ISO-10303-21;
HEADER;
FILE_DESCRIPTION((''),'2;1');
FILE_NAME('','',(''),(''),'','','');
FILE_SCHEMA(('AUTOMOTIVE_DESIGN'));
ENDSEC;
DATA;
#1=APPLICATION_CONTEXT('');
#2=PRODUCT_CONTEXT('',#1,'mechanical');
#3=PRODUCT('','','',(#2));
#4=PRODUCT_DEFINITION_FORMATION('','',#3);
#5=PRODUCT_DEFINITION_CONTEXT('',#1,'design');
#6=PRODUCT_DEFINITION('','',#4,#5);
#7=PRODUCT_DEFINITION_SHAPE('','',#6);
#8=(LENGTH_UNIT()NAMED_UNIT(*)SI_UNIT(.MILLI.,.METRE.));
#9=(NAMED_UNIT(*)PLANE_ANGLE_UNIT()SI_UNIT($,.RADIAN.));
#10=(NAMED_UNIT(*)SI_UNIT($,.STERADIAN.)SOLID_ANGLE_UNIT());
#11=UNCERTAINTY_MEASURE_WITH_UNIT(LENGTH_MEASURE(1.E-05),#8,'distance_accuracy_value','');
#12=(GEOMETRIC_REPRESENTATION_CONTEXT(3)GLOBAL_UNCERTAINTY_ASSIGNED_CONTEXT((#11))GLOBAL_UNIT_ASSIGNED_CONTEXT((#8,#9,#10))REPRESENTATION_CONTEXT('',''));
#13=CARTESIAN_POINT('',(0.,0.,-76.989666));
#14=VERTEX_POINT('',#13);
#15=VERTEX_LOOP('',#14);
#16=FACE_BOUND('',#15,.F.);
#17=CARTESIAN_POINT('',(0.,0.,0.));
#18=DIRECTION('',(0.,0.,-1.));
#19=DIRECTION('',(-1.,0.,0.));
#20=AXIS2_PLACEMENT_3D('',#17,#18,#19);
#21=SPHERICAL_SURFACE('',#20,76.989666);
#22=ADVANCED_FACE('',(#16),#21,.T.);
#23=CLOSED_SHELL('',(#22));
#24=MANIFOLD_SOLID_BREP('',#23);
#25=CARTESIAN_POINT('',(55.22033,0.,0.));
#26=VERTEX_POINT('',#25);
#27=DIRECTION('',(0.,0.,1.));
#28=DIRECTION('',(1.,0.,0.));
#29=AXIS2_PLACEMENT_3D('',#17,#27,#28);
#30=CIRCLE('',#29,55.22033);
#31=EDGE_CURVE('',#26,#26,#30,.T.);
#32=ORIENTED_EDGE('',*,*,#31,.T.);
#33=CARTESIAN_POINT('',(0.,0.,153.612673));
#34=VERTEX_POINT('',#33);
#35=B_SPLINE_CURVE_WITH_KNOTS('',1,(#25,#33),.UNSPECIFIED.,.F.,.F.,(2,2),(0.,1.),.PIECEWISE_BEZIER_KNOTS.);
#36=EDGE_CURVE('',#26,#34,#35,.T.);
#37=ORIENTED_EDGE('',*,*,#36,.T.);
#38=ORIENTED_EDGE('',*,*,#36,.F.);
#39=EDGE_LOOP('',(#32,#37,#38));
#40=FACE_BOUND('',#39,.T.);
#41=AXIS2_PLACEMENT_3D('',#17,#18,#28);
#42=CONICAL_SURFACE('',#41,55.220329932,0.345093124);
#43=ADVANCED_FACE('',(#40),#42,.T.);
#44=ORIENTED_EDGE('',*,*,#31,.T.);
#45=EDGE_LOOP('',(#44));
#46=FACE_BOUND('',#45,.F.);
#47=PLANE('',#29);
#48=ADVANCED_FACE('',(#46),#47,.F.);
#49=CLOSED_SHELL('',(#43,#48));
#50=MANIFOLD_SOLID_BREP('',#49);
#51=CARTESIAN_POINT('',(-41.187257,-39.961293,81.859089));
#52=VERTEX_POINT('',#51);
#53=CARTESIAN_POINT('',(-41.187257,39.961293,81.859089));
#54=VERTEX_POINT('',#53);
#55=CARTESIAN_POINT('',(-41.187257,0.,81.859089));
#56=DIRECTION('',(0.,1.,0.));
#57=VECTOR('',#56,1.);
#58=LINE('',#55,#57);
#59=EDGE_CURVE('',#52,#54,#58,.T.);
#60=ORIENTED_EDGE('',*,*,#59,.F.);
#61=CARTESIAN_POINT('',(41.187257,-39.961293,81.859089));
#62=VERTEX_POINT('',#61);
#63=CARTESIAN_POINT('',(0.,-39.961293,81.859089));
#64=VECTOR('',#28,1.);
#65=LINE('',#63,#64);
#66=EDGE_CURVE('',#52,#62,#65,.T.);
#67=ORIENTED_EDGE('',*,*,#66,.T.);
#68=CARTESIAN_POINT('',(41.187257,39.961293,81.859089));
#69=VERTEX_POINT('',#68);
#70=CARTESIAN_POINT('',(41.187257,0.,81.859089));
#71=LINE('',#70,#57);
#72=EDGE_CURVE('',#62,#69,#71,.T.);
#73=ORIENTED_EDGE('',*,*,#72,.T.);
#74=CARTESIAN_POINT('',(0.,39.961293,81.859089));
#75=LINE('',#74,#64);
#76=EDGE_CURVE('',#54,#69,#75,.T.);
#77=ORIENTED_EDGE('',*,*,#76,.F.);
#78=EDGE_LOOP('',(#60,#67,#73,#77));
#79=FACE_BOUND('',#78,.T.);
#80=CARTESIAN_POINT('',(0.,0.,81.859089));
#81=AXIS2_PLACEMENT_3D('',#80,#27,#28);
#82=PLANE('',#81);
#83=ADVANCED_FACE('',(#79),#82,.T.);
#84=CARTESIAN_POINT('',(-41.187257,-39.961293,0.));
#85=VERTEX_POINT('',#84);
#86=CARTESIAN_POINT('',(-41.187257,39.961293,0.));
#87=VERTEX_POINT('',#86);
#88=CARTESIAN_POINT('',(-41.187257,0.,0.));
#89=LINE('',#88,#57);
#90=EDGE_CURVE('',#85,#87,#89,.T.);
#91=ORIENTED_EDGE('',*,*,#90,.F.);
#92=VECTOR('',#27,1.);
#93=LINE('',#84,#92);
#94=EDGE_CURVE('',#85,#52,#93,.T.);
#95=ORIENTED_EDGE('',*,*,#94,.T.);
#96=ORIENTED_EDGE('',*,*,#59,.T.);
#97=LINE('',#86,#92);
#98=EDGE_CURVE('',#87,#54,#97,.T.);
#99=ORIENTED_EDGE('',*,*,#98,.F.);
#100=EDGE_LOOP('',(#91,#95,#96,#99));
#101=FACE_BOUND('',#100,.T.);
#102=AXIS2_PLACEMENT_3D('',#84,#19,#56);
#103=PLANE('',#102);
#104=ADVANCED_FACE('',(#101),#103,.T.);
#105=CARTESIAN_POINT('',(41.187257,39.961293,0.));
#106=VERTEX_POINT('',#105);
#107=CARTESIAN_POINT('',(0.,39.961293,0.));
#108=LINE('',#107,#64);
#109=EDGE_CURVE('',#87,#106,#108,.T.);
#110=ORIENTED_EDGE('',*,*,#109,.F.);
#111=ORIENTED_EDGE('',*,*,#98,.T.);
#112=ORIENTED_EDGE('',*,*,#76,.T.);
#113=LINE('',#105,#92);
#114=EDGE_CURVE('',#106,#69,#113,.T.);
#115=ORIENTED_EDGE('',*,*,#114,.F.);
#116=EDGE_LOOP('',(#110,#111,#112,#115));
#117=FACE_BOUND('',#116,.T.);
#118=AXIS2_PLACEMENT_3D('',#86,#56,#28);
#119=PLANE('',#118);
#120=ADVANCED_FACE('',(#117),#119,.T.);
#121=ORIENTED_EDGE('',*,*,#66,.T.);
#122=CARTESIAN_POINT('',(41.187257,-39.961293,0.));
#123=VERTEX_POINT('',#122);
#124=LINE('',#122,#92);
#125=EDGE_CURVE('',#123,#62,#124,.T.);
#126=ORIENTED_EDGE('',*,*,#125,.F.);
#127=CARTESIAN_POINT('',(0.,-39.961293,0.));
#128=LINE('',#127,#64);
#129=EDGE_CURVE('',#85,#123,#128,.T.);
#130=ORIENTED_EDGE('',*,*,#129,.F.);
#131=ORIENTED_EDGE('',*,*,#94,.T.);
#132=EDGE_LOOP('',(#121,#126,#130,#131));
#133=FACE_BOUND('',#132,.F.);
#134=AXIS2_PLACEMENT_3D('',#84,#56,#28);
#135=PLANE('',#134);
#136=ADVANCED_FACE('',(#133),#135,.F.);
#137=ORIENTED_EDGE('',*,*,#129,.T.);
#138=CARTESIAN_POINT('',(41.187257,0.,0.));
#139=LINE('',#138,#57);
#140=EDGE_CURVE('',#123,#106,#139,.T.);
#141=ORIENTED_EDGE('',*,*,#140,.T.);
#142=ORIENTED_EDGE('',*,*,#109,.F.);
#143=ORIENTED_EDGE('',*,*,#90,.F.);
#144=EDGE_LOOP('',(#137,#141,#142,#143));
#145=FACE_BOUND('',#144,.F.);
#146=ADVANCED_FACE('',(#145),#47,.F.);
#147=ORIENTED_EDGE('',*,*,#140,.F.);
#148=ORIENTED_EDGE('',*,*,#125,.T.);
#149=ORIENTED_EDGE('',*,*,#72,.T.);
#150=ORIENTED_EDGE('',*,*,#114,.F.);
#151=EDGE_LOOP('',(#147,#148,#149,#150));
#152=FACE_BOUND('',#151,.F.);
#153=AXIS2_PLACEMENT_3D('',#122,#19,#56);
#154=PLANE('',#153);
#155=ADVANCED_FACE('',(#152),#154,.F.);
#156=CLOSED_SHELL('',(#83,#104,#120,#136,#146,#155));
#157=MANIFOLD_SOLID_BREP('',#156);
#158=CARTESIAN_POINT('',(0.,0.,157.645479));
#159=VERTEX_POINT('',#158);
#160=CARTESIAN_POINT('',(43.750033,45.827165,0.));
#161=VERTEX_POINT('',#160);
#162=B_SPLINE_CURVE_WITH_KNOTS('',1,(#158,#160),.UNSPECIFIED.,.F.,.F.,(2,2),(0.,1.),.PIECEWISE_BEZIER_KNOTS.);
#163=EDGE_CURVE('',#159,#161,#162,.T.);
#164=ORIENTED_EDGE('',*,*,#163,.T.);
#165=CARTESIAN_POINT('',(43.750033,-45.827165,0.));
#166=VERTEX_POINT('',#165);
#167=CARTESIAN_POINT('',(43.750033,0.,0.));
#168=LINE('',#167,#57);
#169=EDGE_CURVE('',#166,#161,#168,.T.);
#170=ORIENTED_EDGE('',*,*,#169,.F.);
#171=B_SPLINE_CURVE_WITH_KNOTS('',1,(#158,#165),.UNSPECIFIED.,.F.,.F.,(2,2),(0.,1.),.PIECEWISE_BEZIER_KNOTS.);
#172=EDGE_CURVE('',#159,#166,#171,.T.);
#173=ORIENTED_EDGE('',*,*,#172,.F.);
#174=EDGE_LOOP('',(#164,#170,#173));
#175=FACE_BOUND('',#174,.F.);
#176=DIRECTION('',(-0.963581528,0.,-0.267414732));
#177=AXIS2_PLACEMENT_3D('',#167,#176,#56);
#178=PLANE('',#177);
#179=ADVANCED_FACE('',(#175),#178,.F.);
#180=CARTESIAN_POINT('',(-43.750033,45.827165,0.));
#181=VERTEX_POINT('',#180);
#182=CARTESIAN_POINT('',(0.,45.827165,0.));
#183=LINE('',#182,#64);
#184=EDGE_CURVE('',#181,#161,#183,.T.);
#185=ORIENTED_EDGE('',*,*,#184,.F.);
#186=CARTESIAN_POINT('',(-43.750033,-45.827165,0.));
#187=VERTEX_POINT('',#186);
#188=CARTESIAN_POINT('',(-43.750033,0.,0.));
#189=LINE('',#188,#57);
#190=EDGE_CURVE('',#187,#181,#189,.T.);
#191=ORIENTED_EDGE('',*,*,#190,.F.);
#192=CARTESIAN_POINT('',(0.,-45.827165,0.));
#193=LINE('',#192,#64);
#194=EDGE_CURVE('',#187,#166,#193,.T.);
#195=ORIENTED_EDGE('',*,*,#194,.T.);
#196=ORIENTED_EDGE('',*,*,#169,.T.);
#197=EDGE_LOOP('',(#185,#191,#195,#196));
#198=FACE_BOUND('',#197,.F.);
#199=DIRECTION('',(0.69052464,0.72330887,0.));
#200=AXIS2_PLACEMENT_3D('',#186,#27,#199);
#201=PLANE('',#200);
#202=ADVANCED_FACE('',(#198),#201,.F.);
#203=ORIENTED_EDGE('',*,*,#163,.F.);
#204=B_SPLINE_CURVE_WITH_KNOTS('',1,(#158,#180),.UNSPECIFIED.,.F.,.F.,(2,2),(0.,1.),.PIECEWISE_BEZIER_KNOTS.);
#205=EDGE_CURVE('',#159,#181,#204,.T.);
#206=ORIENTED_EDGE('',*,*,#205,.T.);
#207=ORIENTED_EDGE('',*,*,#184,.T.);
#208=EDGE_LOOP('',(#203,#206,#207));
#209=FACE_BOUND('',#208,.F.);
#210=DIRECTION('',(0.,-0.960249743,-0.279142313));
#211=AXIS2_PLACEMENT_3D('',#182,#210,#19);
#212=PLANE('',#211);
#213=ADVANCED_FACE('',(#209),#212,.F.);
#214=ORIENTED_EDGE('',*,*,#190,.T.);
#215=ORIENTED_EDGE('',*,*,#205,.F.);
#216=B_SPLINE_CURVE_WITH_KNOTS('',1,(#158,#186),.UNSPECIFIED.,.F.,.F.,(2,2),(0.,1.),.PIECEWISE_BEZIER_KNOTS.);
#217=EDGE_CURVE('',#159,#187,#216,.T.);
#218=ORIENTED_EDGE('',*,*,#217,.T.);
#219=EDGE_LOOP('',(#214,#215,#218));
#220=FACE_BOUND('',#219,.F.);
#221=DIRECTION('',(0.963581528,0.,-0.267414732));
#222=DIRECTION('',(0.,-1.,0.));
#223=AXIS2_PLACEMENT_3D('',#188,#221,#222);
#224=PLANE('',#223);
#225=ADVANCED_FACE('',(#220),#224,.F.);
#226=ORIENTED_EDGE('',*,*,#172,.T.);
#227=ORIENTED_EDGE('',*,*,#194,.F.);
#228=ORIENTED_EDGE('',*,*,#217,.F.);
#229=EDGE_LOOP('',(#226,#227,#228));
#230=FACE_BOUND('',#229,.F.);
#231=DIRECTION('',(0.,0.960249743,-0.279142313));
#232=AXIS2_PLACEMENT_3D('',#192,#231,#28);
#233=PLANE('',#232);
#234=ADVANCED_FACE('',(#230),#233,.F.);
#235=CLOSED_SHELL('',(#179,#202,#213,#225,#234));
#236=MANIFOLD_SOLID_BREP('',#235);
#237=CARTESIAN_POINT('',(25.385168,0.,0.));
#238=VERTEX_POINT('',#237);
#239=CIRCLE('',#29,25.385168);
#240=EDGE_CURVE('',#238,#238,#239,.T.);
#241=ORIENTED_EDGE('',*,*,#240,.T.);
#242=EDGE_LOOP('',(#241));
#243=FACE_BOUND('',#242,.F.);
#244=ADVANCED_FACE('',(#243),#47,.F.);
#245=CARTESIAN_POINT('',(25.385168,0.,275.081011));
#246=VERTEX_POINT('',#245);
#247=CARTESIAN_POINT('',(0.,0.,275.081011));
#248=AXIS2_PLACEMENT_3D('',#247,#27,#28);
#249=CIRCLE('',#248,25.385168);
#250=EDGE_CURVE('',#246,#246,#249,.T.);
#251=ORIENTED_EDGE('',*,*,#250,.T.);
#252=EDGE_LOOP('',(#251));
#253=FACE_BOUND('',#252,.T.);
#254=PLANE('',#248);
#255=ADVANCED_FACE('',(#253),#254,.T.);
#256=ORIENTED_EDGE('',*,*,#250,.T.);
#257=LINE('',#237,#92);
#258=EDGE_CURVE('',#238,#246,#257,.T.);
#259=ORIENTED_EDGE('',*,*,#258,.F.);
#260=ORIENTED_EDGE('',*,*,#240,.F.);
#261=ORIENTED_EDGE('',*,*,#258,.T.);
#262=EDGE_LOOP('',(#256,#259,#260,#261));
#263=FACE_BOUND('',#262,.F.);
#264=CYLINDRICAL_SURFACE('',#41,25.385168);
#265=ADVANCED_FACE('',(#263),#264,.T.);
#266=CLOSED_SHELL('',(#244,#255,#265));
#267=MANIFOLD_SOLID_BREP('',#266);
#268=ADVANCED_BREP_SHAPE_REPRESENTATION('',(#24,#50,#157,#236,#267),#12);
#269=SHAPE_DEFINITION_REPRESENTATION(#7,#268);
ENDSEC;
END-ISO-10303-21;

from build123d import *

# Parameters (mm, degrees)
F2_W      = 87.5000655651
F2_H      = 91.654330492
F5_W      = 82.3745131493
F5_H      = 79.9225866795
F6_DEPTH  = 81.8590894341
F7_R      = 55.2203299324
F10_R     = 25.3851676602
F11_DEPTH = 275.0810105354


with BuildPart() as f1:
    # F0 (on Front) → F1 (revolve)
    with BuildSketch(Plane.XZ):
        with BuildLine():
            Line((0, -76.9896656275), (0, 76.9896656275))
            ThreePointArc((0, 76.9896656275), (-76.9896656275, 0), (0, -76.9896656275))
        make_face()
    revolve(axis=Axis((0, 0, 0), (0, 0, 1)))


with BuildPart() as f4:
    # F2 (on Top) → F4 section 0
    with BuildSketch(Plane.XY, mode=Mode.PRIVATE) as f4_s0:
        Rectangle(F2_W, F2_H)
    loft([Vertex(0, 0, 157.6454788446), f4_s0.sketch])


with BuildPart() as f6:
    # F5 (on Top) → F6 (new body)
    with BuildSketch(Plane.XY):
        Rectangle(F5_W, F5_H)
    extrude(amount=F6_DEPTH)


with BuildPart() as f9:
    # F7 (on Top) → F9 section 0
    with BuildSketch(Plane.XY, mode=Mode.PRIVATE) as f9_s0:
        Circle(F7_R)
    loft([f9_s0.sketch, Vertex(0, 0, 153.6126732826)])


with BuildPart() as f11:
    # F10 (on Top) → F11 (new body)
    with BuildSketch(Plane.XY):
        Circle(F10_R)
    extrude(amount=F11_DEPTH)


solid = Compound([f1.part, f4.part, f6.part, f9.part, f11.part])
